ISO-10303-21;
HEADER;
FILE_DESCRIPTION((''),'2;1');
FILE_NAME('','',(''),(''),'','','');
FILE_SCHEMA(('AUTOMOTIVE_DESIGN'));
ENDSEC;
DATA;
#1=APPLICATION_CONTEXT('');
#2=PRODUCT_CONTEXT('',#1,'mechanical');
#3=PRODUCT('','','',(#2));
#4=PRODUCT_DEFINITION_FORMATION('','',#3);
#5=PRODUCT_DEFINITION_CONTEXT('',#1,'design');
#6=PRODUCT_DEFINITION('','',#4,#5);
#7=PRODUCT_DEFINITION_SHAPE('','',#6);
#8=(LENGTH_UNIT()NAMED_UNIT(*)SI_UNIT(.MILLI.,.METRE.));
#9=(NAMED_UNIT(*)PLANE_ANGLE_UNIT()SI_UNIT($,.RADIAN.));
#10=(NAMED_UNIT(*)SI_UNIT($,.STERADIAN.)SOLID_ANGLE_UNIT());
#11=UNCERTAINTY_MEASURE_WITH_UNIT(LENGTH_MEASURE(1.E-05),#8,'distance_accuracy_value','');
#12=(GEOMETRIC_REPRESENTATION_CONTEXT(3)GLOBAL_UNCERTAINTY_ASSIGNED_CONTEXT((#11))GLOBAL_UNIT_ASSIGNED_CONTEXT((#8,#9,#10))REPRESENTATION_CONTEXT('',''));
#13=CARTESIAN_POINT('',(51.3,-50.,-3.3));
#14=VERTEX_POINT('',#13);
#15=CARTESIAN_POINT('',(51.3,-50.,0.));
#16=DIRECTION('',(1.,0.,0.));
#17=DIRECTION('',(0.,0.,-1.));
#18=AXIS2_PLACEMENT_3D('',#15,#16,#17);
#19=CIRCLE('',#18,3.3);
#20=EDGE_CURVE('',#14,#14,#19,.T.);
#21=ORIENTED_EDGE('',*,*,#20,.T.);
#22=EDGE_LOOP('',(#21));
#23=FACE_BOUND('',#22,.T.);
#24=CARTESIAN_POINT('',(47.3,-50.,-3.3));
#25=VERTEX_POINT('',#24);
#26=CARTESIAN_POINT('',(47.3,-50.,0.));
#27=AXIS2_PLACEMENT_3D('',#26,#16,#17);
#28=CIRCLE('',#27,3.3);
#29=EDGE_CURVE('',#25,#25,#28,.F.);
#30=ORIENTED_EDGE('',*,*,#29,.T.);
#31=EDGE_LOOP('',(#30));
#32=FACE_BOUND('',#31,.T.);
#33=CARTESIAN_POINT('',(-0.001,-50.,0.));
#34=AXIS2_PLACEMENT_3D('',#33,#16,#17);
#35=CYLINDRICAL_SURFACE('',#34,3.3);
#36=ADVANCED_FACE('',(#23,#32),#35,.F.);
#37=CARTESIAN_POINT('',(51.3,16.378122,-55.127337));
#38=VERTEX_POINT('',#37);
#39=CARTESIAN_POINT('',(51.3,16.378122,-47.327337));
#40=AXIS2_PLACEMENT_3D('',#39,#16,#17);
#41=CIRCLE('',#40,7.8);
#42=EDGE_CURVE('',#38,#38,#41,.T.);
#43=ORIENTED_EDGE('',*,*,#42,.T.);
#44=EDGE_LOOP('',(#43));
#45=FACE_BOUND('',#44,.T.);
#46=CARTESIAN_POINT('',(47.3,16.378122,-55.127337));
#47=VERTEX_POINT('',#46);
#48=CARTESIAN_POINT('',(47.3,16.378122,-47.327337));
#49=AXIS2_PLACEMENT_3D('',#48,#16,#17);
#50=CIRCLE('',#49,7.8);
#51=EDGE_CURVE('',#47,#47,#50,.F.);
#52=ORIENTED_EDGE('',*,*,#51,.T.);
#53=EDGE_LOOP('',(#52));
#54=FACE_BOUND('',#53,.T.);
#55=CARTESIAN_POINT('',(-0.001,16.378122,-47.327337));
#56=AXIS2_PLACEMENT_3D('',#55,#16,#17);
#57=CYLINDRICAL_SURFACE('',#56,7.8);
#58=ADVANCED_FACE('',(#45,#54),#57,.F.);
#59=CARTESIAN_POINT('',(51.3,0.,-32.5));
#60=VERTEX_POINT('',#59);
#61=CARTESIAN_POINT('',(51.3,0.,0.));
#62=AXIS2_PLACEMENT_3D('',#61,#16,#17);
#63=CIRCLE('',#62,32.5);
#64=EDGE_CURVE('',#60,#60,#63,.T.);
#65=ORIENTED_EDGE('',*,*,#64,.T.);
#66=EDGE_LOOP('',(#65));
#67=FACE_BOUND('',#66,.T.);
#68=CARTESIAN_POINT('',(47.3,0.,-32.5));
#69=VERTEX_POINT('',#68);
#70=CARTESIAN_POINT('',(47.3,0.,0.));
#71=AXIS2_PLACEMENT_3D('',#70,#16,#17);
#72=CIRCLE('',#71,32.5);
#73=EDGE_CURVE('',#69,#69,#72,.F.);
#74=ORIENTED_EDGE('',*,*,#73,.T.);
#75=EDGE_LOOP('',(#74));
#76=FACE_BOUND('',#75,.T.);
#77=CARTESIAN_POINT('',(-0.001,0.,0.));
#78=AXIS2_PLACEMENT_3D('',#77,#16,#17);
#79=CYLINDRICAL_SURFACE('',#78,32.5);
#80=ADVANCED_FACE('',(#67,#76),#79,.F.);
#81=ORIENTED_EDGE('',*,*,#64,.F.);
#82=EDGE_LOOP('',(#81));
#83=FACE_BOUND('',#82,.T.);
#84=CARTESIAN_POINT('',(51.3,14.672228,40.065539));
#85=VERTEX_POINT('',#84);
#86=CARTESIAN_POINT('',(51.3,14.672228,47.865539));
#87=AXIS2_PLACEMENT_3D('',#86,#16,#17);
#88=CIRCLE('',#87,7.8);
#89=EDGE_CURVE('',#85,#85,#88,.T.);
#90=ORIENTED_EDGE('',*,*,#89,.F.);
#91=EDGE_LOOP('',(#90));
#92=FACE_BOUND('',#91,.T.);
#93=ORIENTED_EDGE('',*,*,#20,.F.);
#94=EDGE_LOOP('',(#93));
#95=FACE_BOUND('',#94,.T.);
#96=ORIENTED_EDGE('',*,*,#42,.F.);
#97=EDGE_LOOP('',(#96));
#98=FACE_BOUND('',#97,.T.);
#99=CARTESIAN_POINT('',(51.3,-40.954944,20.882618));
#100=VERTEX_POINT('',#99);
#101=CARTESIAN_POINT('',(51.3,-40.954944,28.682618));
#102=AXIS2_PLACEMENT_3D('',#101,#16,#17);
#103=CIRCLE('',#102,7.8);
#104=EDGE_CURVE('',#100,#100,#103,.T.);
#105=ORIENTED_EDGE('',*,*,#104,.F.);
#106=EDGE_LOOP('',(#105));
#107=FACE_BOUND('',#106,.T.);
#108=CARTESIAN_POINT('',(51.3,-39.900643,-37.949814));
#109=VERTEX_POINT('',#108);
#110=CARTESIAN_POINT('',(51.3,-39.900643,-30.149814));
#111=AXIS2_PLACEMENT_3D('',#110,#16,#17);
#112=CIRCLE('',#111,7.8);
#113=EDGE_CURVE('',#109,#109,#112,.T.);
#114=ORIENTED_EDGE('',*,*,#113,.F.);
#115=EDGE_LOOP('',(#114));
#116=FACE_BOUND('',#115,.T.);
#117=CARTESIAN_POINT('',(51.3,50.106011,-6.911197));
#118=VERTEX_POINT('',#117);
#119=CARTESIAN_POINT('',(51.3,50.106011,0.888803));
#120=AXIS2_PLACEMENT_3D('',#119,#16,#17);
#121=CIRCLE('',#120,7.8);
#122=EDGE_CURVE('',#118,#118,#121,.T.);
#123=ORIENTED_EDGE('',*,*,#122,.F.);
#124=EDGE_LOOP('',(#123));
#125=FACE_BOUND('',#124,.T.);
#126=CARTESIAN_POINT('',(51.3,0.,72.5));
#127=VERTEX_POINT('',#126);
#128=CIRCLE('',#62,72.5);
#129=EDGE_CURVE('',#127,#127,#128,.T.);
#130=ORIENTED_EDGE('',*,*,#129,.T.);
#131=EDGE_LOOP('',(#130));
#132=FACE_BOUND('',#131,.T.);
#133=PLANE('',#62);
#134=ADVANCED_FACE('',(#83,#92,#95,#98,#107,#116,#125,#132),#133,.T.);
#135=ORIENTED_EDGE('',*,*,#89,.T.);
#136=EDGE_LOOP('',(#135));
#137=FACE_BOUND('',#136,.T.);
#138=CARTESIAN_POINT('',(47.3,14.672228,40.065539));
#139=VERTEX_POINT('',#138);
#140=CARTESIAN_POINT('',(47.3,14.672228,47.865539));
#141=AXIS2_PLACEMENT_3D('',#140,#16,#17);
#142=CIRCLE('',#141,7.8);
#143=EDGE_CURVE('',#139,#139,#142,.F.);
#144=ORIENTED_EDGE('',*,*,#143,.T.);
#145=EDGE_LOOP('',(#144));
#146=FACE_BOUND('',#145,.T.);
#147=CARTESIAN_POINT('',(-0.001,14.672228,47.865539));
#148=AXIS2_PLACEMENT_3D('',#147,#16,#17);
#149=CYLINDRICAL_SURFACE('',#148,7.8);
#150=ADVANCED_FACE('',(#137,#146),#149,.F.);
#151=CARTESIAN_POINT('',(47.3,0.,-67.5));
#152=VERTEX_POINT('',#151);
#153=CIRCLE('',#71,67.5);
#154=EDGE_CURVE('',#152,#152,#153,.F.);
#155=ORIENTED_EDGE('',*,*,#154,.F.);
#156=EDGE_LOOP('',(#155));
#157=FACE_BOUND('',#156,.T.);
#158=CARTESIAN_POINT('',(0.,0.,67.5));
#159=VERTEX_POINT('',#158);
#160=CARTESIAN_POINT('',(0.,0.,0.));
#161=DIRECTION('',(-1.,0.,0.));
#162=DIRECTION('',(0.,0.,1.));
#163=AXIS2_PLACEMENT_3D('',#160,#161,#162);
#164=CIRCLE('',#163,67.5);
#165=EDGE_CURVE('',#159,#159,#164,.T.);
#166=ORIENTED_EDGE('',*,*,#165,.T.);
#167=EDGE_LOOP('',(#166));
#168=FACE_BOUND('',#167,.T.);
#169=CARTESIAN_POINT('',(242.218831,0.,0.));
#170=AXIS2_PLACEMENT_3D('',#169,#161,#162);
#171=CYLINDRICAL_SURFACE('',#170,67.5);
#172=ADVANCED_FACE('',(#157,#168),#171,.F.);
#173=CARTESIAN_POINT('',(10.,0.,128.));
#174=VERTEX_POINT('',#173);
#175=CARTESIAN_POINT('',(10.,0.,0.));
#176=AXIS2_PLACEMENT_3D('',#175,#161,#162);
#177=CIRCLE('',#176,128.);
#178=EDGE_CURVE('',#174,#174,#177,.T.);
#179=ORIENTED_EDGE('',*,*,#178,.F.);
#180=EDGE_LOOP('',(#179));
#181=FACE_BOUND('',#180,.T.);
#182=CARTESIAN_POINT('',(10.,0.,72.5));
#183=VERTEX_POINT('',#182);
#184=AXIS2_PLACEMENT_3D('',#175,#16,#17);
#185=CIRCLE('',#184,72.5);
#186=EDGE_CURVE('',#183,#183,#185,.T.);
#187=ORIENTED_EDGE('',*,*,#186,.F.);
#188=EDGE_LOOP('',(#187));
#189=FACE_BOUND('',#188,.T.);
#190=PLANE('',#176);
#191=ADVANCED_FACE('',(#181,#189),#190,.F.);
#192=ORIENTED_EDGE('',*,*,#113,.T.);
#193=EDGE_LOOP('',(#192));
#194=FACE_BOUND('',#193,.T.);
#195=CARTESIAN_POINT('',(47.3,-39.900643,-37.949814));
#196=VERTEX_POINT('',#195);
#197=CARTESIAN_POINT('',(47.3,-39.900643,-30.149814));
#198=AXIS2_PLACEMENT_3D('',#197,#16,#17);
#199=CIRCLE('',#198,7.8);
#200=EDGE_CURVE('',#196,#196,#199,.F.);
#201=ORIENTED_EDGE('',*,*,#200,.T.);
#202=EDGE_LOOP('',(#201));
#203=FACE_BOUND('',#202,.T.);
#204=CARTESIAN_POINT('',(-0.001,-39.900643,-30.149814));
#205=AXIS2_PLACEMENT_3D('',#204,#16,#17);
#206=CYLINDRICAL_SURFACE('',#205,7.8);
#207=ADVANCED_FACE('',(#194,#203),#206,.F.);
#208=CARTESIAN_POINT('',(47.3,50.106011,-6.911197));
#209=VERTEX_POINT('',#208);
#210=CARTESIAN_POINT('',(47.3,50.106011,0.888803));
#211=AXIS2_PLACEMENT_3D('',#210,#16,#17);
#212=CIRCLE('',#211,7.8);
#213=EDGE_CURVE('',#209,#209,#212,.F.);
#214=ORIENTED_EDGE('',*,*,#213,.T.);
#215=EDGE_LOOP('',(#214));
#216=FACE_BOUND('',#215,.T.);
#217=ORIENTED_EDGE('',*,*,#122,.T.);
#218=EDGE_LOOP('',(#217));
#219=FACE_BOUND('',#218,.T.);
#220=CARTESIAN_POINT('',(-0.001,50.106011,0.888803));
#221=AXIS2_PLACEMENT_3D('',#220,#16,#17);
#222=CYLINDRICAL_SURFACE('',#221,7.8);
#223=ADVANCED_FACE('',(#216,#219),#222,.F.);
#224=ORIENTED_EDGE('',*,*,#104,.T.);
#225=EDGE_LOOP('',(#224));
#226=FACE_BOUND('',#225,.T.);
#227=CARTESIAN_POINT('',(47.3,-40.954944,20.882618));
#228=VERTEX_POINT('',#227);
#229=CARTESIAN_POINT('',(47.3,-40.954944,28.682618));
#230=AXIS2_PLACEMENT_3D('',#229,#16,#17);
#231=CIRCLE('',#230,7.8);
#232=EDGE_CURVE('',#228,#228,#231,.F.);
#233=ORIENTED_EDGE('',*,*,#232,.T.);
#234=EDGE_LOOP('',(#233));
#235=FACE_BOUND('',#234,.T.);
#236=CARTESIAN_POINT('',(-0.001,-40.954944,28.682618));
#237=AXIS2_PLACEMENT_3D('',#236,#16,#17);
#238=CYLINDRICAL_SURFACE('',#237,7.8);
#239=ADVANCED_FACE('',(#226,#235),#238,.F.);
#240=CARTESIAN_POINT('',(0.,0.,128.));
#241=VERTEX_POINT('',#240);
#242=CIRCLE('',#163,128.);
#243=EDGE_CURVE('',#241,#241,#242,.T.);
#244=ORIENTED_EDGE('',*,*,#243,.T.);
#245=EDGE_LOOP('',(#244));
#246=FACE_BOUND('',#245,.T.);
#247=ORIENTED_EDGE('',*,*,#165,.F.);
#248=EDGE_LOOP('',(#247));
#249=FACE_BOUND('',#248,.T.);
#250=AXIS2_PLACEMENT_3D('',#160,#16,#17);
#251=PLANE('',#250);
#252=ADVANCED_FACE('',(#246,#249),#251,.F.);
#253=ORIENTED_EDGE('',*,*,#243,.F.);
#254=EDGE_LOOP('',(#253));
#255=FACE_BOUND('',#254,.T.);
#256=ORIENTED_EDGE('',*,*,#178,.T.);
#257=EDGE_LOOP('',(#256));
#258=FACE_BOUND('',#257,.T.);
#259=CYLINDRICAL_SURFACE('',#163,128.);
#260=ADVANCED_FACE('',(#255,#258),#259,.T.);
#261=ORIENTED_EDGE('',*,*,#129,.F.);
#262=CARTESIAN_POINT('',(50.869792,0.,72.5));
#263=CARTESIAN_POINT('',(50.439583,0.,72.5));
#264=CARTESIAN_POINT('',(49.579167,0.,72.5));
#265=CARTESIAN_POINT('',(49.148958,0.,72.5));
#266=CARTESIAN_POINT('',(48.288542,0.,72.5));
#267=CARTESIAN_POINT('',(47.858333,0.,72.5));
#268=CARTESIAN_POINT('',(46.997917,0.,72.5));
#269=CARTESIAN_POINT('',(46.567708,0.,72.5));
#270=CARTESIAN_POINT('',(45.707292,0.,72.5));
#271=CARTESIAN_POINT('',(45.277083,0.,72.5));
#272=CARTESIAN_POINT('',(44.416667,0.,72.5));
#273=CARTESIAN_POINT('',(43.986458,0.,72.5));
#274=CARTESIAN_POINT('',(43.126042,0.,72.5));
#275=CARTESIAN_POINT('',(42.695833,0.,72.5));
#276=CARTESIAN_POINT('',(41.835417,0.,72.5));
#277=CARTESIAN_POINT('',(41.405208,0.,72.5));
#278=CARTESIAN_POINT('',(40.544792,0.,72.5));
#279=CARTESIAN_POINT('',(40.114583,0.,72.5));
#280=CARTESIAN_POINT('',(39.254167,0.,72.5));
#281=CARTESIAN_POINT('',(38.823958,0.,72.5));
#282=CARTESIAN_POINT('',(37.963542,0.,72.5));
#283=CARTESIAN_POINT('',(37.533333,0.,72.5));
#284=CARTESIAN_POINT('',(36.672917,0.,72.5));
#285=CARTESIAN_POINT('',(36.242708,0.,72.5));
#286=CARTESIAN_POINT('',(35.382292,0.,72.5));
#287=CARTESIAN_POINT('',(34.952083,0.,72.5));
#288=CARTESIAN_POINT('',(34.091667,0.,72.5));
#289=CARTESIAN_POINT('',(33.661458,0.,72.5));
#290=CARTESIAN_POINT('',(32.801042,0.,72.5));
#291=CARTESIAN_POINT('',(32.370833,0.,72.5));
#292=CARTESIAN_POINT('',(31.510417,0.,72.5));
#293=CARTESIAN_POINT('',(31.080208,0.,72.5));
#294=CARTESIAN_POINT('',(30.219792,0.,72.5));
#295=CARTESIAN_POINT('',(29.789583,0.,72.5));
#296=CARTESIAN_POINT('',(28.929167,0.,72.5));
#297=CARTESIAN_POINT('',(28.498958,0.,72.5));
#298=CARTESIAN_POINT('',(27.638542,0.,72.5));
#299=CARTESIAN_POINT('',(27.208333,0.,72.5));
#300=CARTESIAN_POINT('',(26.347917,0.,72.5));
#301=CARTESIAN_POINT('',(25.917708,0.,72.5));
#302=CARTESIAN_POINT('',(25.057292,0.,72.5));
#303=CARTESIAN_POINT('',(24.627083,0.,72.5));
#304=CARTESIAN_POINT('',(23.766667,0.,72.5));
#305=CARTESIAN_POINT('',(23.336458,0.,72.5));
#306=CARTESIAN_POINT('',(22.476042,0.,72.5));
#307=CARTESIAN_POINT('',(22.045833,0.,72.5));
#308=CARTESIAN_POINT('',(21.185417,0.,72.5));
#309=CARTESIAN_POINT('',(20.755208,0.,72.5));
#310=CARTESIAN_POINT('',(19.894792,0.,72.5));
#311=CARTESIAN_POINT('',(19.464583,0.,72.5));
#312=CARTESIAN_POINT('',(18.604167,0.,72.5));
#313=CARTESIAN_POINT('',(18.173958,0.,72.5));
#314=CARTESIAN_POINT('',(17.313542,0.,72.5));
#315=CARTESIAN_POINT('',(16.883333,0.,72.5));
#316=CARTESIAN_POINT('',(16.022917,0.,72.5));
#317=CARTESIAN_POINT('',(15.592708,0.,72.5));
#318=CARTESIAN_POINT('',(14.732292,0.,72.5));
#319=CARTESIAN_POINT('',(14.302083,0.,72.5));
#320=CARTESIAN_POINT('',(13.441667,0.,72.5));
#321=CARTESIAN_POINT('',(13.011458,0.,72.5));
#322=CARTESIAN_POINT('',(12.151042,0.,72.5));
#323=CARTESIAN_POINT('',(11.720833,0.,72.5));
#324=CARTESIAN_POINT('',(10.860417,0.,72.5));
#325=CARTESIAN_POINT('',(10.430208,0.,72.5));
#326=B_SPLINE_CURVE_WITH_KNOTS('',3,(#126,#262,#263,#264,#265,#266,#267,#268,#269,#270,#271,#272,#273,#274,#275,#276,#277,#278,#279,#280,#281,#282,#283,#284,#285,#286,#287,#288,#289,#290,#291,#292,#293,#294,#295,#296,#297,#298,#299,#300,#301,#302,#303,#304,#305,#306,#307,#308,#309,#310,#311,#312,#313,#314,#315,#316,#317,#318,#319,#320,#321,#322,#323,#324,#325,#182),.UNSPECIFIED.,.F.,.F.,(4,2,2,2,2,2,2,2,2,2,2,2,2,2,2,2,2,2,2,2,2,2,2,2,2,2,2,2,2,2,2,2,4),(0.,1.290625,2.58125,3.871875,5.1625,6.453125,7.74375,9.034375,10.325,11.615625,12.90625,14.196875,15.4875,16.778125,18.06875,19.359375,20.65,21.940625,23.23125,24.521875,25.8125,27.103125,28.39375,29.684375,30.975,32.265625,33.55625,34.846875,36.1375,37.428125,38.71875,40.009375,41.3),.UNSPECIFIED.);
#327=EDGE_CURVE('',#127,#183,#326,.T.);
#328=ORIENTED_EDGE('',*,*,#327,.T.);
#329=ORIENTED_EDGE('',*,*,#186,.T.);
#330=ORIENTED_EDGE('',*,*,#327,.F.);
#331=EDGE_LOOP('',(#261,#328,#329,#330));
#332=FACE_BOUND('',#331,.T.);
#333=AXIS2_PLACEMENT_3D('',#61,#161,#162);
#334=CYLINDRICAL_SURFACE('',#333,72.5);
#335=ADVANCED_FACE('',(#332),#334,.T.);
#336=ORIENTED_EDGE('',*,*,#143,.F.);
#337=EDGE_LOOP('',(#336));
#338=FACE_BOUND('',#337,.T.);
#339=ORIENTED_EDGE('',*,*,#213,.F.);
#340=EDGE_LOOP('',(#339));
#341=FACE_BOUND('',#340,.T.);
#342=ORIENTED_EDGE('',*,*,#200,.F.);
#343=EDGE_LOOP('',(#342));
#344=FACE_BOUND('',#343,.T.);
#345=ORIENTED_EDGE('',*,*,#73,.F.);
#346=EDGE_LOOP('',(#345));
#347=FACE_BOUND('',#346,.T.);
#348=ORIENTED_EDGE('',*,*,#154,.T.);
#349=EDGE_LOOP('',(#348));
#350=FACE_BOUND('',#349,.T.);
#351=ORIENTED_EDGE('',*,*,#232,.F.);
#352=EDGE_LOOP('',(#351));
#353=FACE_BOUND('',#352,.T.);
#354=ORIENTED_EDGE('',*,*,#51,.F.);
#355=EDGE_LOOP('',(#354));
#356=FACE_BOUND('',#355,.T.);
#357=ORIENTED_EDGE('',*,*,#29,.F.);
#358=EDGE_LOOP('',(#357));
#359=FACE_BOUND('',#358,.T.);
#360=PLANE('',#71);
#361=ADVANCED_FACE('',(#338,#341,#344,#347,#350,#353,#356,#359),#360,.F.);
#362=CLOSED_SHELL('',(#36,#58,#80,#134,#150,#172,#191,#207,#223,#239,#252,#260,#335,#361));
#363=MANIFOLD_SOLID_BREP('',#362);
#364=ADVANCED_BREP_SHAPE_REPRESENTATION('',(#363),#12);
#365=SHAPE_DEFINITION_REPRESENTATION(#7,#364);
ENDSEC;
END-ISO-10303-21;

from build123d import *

# Parameters (mm, degrees)
SZKIC1_W                    = 10
SZKIC1_H                    = 128
SZKIC7_R                    = 72.5
DODANIE_WYCI_GNI_CIE1_DEPTH = 41.3
SZKIC8_R                    = 67.5
WYTNIJ_WYCI_GNI_CIE7_DEPTH  = 47.3
WYTNIJ_WYCI_GNI_CIE8_REACH  = 190.148
SZKIC9_R                    = 32.5
WYTNIJ_WYCI_GNI_CIE9_REACH  = 190.148
SZKIC10_R                   = 3.3
SZKIC10_R_2                 = 7.8


with BuildPart() as part:
    # Szkic1 → Obrót1 (revolve)
    with BuildSketch(Plane(origin=(0, 0, 0), x_dir=(1, 0, 0), z_dir=(0, 1, 0)), mode=Mode.PRIVATE) as obr_t1_sk:
        with Locations((5, 64)):
            Rectangle(SZKIC1_W, SZKIC1_H)
    revolve(obr_t1_sk.sketch.rotate(Axis((0, 0, 0), (1, 0, 0)), 180), axis=Axis((0, 0, 0), (1, 0, 0)))

    # Szkic7 → Dodanie-wyciągnięcie1 (add)
    with BuildSketch(Plane(origin=(10, 0, 0), x_dir=(0, 0, -1), z_dir=(1, 0, 0))):
        with Locations(Location((0, 0, 0), (0, 0, 180))):
            Circle(SZKIC7_R)
    extrude(amount=DODANIE_WYCI_GNI_CIE1_DEPTH)

    # Szkic8 → Wytnij-wyciągnięcie7 (cut)
    with BuildSketch(Plane.ZY):
        Circle(SZKIC8_R)
    extrude(amount=-WYTNIJ_WYCI_GNI_CIE7_DEPTH, mode=Mode.SUBTRACT)

    # Szkic9 → Wytnij-wyciągnięcie8 (cut, up to next)
    with BuildSketch(Plane(origin=(51.3, 0, 0), x_dir=(0, 0, -1), z_dir=(1, 0, 0)), mode=Mode.PRIVATE) as wytnij_wyci_gni_cie8_sk1:
        Circle(SZKIC9_R)
    wytnij_wyci_gni_cie8_tool1 = extrude(wytnij_wyci_gni_cie8_sk1.sketch, amount=-WYTNIJ_WYCI_GNI_CIE8_REACH, mode=Mode.PRIVATE) & part.part
    add(wytnij_wyci_gni_cie8_tool1.solids().sort_by_distance((51.3, 0, 0))[0], mode=Mode.SUBTRACT)

    # Szkic10 → Wytnij-wyciągnięcie9 (cut, up to next)
    with BuildSketch(Plane(origin=(51.3, 0, 0), x_dir=(0, 0, -1), z_dir=(1, 0, 0)), mode=Mode.PRIVATE) as wytnij_wyci_gni_cie9_sk1:
        with Locations((0, -50)):
            Circle(SZKIC10_R)
    wytnij_wyci_gni_cie9_tool1 = extrude(wytnij_wyci_gni_cie9_sk1.sketch, amount=-WYTNIJ_WYCI_GNI_CIE9_REACH, mode=Mode.PRIVATE) & part.part
    # Szkic10 → Wytnij-wyciągnięcie9 (cut, up to next)
    with BuildSketch(Plane(origin=(51.3, 0, 0), x_dir=(0, 0, -1), z_dir=(1, 0, 0)), mode=Mode.PRIVATE) as wytnij_wyci_gni_cie9_sk2:
        with Locations((-28.682618124, -40.95494375)):
            Circle(SZKIC10_R_2)
    wytnij_wyci_gni_cie9_tool2 = extrude(wytnij_wyci_gni_cie9_sk2.sketch, amount=-WYTNIJ_WYCI_GNI_CIE9_REACH, mode=Mode.PRIVATE) & part.part
    # Szkic10 → Wytnij-wyciągnięcie9 (cut, up to next)
    with BuildSketch(Plane(origin=(51.3, 0, 0), x_dir=(0, 0, -1), z_dir=(1, 0, 0)), mode=Mode.PRIVATE) as wytnij_wyci_gni_cie9_sk3:
        with Locations((-47.865538925, 14.672227833)):
            Circle(SZKIC10_R_2)
    wytnij_wyci_gni_cie9_tool3 = extrude(wytnij_wyci_gni_cie9_sk3.sketch, amount=-WYTNIJ_WYCI_GNI_CIE9_REACH, mode=Mode.PRIVATE) & part.part
    # Szkic10 → Wytnij-wyciągnięcie9 (cut, up to next)
    with BuildSketch(Plane(origin=(51.3, 0, 0), x_dir=(0, 0, -1), z_dir=(1, 0, 0)), mode=Mode.PRIVATE) as wytnij_wyci_gni_cie9_sk4:
        with Locations((-0.888803437, 50.106011031)):
            Circle(SZKIC10_R_2)
    wytnij_wyci_gni_cie9_tool4 = extrude(wytnij_wyci_gni_cie9_sk4.sketch, amount=-WYTNIJ_WYCI_GNI_CIE9_REACH, mode=Mode.PRIVATE) & part.part
    # Szkic10 → Wytnij-wyciągnięcie9 (cut, up to next)
    with BuildSketch(Plane(origin=(51.3, 0, 0), x_dir=(0, 0, -1), z_dir=(1, 0, 0)), mode=Mode.PRIVATE) as wytnij_wyci_gni_cie9_sk5:
        with Locations((47.327336576, 16.378121814)):
            Circle(SZKIC10_R_2)
    wytnij_wyci_gni_cie9_tool5 = extrude(wytnij_wyci_gni_cie9_sk5.sketch, amount=-WYTNIJ_WYCI_GNI_CIE9_REACH, mode=Mode.PRIVATE) & part.part
    # Szkic10 → Wytnij-wyciągnięcie9 (cut, up to next)
    with BuildSketch(Plane(origin=(51.3, 0, 0), x_dir=(0, 0, -1), z_dir=(1, 0, 0)), mode=Mode.PRIVATE) as wytnij_wyci_gni_cie9_sk6:
        with Locations((30.149814423, -39.900643288)):
            Circle(SZKIC10_R_2)
    wytnij_wyci_gni_cie9_tool6 = extrude(wytnij_wyci_gni_cie9_sk6.sketch, amount=-WYTNIJ_WYCI_GNI_CIE9_REACH, mode=Mode.PRIVATE) & part.part
    add(wytnij_wyci_gni_cie9_tool1.solids().sort_by_distance((51.3, -50, 0))[0], mode=Mode.SUBTRACT)
    add(wytnij_wyci_gni_cie9_tool2.solids().sort_by_distance((51.3, -40.954944, 28.682618))[0], mode=Mode.SUBTRACT)
    add(wytnij_wyci_gni_cie9_tool3.solids().sort_by_distance((51.3, 14.672228, 47.865539))[0], mode=Mode.SUBTRACT)
    add(wytnij_wyci_gni_cie9_tool4.solids().sort_by_distance((51.3, 50.106011, 0.888803))[0], mode=Mode.SUBTRACT)
    add(wytnij_wyci_gni_cie9_tool5.solids().sort_by_distance((51.3, 16.378122, -47.327337))[0], mode=Mode.SUBTRACT)
    add(wytnij_wyci_gni_cie9_tool6.solids().sort_by_distance((51.3, -39.900643, -30.149814))[0], mode=Mode.SUBTRACT)


solid = part.part
